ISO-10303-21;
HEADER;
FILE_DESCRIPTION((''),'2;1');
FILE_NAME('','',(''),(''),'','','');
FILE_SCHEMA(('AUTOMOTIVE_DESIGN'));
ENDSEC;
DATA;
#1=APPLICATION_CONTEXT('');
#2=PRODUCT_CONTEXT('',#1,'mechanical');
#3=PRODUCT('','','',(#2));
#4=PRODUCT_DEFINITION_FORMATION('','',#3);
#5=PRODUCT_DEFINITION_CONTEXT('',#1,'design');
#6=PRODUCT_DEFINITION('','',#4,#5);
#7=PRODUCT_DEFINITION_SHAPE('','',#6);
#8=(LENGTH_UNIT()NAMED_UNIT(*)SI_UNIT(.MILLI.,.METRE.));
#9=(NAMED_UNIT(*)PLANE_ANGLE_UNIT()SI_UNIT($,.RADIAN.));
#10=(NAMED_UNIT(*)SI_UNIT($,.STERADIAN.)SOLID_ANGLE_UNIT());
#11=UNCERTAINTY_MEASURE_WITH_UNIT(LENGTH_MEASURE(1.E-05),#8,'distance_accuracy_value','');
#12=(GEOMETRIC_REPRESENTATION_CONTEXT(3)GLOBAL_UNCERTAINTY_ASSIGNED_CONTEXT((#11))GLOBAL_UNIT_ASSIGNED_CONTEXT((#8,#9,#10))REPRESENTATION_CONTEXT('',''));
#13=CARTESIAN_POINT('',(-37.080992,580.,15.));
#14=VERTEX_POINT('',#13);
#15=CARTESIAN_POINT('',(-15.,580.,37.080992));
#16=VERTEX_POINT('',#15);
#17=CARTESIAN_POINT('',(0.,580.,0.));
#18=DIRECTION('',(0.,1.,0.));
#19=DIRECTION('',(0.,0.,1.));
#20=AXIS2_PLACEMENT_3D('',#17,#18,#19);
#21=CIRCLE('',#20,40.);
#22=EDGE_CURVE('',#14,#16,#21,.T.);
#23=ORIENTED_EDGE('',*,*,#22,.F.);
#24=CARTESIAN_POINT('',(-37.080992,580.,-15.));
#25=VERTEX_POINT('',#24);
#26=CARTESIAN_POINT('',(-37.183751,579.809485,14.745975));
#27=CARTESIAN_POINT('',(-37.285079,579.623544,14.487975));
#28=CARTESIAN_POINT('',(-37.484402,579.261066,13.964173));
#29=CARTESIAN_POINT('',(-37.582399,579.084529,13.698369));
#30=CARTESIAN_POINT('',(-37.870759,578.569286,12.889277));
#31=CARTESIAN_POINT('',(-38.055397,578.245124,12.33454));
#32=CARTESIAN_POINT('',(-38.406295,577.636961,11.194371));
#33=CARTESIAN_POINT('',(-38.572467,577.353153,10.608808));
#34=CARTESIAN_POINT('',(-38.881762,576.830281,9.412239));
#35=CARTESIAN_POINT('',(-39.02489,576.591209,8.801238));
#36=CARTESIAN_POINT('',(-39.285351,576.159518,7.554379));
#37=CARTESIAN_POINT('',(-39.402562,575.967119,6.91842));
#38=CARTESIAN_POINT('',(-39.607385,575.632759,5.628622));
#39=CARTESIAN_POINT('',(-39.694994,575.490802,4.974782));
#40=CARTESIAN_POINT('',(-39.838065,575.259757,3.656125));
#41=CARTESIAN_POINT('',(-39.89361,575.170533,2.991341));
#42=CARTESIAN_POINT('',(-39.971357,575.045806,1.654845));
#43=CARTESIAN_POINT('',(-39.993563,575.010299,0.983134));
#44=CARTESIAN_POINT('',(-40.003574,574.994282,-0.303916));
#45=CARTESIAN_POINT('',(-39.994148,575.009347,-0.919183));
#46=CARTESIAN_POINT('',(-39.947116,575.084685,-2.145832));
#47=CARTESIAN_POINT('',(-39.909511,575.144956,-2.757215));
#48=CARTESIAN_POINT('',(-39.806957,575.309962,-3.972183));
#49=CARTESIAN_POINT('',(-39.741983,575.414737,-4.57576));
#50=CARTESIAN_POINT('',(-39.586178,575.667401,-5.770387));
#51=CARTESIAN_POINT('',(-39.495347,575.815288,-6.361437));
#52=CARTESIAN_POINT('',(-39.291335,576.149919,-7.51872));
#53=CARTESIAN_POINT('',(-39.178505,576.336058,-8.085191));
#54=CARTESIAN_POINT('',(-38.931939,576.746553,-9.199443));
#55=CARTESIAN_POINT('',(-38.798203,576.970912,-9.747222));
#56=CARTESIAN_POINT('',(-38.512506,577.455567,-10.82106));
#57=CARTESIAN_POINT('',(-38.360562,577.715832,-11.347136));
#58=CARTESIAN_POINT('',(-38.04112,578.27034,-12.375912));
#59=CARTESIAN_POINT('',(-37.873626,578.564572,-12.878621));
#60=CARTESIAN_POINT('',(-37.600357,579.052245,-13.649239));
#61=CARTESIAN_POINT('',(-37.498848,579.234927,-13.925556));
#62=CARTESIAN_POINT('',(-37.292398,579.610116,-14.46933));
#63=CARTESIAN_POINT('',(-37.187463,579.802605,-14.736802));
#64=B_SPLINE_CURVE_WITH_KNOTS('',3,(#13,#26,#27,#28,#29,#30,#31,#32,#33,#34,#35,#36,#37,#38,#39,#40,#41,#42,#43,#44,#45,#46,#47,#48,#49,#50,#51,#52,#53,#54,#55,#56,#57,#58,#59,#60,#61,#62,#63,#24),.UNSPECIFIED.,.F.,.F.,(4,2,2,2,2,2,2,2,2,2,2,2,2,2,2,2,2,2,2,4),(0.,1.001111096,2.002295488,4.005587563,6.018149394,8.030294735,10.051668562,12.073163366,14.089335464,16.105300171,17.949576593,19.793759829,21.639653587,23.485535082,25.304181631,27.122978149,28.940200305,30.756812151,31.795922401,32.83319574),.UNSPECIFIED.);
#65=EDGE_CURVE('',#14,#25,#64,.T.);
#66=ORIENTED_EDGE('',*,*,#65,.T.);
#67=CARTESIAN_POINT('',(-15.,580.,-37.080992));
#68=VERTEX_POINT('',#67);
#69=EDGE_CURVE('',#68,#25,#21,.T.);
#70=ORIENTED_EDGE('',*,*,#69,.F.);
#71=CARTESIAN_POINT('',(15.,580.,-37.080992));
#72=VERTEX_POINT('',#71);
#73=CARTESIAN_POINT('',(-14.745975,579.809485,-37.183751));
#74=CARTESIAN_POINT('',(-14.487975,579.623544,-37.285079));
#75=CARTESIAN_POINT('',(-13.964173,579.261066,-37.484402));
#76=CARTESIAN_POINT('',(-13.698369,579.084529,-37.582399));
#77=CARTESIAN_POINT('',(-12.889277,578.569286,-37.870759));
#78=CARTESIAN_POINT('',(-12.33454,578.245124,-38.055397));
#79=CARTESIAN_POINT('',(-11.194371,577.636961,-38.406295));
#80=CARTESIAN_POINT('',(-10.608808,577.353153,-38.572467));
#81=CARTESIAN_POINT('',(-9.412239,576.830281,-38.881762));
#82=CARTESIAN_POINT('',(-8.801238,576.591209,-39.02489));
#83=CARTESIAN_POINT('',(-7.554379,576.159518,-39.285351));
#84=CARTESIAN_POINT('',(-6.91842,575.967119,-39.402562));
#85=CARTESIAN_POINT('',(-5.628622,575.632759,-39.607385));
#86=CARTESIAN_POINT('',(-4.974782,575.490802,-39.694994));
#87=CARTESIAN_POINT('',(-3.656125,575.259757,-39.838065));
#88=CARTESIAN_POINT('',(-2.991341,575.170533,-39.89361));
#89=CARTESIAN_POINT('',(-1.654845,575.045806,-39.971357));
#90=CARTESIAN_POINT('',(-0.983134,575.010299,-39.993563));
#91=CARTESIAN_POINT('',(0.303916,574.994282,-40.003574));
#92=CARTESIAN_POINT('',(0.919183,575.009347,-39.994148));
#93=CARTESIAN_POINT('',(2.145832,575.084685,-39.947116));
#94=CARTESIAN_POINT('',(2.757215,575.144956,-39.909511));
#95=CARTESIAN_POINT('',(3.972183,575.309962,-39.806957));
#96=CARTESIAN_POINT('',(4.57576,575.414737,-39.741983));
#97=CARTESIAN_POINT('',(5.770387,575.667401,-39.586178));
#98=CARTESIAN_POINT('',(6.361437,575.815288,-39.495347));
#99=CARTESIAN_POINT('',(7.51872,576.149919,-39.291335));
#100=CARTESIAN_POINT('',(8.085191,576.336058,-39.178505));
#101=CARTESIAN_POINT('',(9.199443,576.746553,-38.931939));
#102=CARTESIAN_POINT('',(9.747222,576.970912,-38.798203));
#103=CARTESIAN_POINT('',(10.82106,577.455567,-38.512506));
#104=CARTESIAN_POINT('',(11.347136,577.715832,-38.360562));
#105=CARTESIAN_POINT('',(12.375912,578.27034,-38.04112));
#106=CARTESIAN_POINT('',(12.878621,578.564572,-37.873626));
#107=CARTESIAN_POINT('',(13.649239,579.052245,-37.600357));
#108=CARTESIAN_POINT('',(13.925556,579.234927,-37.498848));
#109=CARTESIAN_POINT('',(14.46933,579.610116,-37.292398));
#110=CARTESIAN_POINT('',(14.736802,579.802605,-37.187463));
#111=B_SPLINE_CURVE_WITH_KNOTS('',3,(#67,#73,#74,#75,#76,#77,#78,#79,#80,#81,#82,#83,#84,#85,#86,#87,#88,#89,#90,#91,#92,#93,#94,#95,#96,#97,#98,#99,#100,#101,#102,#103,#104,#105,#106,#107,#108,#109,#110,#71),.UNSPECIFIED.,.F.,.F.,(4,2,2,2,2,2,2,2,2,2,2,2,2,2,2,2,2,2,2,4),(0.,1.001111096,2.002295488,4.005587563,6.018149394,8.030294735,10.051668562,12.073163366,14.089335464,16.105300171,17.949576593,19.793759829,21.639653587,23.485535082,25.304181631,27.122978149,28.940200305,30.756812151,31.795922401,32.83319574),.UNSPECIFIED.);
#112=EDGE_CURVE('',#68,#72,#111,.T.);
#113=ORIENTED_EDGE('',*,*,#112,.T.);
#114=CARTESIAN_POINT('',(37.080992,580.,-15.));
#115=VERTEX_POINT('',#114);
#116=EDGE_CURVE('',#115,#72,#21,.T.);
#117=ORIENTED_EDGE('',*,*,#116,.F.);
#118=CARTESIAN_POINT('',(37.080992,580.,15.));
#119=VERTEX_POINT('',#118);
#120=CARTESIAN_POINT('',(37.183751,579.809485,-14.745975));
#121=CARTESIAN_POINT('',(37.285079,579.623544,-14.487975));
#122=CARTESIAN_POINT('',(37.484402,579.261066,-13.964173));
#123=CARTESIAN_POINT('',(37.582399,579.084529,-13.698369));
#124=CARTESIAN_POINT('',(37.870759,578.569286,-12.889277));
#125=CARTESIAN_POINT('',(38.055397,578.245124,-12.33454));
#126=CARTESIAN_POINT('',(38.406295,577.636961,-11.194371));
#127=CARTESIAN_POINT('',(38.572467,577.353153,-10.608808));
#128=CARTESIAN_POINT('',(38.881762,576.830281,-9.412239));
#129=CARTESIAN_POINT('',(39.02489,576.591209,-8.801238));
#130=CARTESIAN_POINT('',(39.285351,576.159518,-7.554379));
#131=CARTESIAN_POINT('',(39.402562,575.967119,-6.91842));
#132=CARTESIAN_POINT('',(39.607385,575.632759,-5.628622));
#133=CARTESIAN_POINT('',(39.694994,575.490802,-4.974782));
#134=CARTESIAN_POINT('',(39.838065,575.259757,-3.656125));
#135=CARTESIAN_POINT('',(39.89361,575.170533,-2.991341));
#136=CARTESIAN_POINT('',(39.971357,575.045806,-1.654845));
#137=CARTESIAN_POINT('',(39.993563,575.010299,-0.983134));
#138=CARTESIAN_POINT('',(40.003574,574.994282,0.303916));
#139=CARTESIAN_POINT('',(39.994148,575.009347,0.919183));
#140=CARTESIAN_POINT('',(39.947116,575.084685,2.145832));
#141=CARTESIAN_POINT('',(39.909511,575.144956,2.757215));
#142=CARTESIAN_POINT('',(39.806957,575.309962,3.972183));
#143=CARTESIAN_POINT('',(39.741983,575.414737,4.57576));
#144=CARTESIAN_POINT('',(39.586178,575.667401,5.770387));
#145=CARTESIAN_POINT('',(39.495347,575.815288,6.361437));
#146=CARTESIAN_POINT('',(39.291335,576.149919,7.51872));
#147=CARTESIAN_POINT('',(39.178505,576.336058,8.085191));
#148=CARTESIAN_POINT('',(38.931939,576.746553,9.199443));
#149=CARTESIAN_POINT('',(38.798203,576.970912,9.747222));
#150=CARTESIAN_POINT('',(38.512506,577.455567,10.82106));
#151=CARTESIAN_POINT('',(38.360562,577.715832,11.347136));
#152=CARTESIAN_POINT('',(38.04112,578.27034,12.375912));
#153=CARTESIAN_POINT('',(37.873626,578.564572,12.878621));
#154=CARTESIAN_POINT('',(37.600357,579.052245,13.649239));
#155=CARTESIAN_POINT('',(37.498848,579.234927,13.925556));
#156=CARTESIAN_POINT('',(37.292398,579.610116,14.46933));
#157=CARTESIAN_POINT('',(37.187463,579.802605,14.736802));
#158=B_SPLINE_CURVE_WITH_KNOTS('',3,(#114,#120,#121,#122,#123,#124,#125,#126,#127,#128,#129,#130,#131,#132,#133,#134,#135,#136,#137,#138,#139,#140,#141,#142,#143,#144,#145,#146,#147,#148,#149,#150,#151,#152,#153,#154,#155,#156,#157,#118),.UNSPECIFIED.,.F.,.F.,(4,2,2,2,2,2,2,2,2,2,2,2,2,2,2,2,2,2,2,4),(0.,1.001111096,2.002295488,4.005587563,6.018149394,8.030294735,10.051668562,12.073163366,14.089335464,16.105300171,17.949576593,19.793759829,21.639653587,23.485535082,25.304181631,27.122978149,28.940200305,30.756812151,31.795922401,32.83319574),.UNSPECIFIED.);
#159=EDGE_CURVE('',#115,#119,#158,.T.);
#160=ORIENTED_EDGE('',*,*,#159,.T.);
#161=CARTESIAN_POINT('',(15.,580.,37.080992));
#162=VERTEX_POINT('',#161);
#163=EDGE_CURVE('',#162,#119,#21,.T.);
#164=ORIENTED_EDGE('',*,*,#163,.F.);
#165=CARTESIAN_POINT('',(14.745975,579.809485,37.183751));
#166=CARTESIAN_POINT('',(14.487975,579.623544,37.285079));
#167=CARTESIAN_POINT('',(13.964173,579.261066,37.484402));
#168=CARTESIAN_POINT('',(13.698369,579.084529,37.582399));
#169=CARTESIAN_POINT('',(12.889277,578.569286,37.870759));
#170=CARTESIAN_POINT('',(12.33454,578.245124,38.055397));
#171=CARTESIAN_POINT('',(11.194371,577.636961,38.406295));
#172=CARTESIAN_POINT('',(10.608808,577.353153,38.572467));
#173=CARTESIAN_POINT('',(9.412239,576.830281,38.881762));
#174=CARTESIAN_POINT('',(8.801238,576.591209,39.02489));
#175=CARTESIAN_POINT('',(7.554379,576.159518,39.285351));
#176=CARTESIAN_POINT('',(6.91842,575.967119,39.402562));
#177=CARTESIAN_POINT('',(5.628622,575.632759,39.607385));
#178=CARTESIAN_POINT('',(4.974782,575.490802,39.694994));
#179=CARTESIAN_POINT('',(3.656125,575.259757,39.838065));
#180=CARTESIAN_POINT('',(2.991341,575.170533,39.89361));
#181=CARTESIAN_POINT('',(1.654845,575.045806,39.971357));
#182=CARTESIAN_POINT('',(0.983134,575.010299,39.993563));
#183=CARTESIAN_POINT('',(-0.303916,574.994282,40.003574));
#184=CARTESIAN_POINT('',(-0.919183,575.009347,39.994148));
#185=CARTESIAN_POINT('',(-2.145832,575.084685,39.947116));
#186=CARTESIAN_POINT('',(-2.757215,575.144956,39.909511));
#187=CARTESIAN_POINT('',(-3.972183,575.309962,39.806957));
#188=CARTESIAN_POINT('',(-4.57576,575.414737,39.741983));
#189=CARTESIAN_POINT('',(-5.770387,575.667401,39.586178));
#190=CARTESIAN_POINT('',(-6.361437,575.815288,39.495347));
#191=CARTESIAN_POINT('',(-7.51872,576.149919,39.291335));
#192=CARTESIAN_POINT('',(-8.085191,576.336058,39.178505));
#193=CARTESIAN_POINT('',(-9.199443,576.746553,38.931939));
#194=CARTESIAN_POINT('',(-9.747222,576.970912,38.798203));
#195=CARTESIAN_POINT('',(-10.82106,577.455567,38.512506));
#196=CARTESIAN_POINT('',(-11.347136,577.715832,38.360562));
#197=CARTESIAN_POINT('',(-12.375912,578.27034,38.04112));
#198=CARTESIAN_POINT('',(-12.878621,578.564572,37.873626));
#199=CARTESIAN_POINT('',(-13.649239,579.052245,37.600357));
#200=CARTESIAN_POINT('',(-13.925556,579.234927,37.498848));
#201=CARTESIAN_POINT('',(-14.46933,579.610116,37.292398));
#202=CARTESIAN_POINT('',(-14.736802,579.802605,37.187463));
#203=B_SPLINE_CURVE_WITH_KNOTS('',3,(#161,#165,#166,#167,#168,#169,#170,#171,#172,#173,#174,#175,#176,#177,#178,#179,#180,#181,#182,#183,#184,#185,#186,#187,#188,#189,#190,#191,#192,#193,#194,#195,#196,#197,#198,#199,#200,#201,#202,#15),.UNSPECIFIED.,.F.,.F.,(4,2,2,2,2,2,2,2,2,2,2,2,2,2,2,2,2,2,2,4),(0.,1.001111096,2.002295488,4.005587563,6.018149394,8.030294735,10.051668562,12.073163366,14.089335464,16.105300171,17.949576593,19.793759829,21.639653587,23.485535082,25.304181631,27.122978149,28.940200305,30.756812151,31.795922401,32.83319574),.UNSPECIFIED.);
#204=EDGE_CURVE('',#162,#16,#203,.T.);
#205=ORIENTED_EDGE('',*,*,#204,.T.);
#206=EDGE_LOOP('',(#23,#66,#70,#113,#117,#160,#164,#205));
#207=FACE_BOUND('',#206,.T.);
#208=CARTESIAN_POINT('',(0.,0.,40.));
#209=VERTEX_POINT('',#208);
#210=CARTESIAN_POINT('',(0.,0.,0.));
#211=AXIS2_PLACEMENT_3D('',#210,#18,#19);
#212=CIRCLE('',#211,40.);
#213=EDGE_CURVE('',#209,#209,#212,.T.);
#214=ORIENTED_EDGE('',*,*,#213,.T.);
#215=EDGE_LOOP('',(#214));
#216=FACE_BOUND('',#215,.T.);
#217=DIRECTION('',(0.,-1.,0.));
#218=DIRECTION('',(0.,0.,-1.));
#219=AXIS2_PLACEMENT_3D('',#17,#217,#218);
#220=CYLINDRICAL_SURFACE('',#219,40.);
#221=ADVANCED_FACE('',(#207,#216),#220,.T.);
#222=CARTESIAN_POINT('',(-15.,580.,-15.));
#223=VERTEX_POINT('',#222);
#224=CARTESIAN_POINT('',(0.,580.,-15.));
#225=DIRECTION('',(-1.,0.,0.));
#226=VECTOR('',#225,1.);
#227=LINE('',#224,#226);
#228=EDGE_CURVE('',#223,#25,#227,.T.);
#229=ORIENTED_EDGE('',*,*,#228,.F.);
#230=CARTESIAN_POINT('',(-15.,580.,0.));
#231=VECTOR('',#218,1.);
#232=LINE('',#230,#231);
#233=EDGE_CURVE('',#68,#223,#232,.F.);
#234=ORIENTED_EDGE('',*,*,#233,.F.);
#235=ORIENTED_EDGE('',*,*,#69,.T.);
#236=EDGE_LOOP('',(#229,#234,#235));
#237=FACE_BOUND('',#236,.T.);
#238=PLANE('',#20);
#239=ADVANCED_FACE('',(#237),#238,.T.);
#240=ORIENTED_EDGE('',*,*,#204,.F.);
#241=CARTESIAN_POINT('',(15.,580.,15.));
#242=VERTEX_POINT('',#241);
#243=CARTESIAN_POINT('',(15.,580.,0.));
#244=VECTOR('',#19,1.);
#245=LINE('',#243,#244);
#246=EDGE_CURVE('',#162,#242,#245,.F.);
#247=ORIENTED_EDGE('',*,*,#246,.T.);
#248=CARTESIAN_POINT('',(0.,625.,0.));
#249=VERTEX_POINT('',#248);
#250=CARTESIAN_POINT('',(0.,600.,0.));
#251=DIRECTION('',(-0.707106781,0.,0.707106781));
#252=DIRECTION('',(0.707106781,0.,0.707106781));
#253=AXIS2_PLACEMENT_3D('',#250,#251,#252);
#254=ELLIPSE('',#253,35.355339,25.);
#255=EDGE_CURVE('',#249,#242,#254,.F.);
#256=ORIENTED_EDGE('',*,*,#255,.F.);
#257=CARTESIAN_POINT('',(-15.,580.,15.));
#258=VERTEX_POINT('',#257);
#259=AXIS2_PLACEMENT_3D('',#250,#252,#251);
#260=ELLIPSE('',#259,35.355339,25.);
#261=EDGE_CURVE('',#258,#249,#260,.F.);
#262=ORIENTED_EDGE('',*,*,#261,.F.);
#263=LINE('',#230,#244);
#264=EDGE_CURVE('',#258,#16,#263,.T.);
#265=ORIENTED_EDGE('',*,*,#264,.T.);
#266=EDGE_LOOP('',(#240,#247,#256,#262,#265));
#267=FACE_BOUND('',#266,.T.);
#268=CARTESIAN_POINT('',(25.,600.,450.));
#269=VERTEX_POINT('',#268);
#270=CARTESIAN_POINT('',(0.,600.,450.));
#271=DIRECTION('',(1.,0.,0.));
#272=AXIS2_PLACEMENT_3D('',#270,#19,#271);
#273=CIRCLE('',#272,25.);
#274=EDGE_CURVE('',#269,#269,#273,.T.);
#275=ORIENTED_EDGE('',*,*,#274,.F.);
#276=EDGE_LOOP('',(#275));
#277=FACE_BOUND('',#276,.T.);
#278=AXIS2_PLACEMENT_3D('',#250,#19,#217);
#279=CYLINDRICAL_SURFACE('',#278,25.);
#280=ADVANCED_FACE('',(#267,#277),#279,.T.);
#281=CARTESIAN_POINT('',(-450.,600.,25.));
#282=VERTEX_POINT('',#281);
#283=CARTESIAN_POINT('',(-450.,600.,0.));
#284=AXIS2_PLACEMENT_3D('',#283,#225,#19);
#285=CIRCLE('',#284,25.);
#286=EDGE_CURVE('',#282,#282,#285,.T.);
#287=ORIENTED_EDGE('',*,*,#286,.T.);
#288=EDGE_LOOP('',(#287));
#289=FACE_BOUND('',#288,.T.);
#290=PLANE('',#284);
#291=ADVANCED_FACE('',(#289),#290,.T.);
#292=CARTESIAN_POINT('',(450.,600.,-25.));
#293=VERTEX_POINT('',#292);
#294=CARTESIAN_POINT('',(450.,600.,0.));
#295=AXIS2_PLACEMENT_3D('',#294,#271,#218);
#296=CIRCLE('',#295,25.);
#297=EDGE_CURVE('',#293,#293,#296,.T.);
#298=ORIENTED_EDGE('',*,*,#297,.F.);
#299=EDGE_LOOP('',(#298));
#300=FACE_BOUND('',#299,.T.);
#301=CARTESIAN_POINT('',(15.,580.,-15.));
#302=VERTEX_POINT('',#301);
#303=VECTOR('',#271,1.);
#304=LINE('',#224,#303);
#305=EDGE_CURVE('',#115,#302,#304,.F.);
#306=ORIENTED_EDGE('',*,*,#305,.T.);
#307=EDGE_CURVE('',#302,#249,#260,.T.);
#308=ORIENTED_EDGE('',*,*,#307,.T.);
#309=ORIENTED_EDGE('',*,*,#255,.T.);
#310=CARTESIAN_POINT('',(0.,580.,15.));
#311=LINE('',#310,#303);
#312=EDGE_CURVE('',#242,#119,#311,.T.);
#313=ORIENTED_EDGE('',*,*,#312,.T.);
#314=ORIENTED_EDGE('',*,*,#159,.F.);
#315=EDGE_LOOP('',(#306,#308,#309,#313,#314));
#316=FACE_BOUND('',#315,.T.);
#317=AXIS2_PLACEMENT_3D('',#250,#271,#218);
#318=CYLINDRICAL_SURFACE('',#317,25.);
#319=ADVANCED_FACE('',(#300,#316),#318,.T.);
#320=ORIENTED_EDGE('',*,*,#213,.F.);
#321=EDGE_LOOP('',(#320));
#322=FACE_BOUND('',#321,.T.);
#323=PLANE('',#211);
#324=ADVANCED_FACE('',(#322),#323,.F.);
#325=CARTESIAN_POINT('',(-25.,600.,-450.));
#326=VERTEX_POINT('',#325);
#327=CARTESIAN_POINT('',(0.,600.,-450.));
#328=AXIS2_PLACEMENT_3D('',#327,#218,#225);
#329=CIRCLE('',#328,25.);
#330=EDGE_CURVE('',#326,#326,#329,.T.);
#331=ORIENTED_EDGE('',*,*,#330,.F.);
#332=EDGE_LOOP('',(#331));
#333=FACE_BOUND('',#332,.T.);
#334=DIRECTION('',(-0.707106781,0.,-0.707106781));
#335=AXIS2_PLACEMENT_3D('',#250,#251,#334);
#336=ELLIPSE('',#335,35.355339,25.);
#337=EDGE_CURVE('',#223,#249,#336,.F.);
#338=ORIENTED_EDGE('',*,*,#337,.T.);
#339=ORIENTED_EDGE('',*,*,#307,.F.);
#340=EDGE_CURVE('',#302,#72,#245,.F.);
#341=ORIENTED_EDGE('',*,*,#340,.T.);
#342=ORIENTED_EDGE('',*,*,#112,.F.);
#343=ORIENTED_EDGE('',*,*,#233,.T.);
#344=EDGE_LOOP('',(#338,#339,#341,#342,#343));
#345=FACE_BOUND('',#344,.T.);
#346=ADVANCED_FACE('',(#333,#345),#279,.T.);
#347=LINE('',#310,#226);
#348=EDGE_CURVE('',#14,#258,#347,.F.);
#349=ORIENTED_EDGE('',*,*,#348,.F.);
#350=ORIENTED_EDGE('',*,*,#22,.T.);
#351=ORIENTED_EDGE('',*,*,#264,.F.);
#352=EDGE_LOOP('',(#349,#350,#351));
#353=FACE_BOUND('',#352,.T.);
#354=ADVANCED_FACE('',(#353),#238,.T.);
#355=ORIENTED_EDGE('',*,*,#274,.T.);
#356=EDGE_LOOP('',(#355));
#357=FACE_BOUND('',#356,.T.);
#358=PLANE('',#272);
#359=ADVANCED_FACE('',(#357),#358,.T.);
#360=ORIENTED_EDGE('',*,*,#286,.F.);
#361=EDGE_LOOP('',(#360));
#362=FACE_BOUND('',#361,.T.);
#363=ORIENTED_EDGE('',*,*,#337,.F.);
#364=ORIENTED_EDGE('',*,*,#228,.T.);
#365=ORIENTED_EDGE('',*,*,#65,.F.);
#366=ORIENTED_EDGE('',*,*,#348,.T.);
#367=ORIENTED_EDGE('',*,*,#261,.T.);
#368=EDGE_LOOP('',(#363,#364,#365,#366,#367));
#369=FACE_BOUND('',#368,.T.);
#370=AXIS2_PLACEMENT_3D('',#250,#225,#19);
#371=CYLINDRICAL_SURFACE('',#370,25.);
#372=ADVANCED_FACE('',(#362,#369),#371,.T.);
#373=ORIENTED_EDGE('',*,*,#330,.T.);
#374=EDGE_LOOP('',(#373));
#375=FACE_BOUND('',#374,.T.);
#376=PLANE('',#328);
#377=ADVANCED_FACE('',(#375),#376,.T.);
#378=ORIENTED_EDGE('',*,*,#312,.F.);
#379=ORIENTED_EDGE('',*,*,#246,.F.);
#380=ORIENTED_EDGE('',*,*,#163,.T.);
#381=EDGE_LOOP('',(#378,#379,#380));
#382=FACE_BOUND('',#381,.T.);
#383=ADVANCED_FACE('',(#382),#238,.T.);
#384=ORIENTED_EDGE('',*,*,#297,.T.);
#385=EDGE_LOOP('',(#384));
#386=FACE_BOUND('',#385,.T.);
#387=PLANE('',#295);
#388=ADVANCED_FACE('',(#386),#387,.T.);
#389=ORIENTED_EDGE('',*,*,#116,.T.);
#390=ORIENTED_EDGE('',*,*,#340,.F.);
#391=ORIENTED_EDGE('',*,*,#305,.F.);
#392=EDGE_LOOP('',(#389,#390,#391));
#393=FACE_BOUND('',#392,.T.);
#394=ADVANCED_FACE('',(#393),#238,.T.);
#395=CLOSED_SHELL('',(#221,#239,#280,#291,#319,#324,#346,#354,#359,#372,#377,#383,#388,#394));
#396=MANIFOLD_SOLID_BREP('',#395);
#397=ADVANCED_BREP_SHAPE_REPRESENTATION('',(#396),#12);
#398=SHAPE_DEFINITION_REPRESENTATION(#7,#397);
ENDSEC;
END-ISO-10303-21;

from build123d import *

# Parameters (mm, degrees)
SKETCH1_R             = 40
TRUNK_DEPTH           = 580
BRANCH_BASE_PROFILE_R = 25
BRANCHES_COUNT        = 4


with BuildPart() as part:
    # Sketch1 → trunk (new body)
    with BuildSketch(Plane(origin=(0, 0, 0), x_dir=(1, 0, 0), z_dir=(0, 1, 0))):
        with Locations(Location((0, 0, 0), (0, 0, 270))):
            Circle(SKETCH1_R)
    extrude(amount=TRUNK_DEPTH)

    # branch base: sweep along a path in Sketch2
    with BuildLine(Plane(origin=(0, 0, 0), x_dir=(0, 0, -1), z_dir=(1, 0, 0))) as branch_base_path:
        Line((0, 600), (-450, 600))
    # branch base profile (on start of the path) → branch base (sweep)
    with BuildSketch(Plane(origin=(0, 600, 0), x_dir=(0, 1, 0), z_dir=(0, 0, 1))):
        Circle(BRANCH_BASE_PROFILE_R)
    branch_base = sweep(path=branch_base_path.line)

    # branches: branch base ×4 about axis
    branches_axis = Axis((0, 0, 0), (0, 1, 0))
    for i in range(1, BRANCHES_COUNT):
        add(branch_base.rotate(branches_axis, i * 360 / BRANCHES_COUNT))


solid = part.part
